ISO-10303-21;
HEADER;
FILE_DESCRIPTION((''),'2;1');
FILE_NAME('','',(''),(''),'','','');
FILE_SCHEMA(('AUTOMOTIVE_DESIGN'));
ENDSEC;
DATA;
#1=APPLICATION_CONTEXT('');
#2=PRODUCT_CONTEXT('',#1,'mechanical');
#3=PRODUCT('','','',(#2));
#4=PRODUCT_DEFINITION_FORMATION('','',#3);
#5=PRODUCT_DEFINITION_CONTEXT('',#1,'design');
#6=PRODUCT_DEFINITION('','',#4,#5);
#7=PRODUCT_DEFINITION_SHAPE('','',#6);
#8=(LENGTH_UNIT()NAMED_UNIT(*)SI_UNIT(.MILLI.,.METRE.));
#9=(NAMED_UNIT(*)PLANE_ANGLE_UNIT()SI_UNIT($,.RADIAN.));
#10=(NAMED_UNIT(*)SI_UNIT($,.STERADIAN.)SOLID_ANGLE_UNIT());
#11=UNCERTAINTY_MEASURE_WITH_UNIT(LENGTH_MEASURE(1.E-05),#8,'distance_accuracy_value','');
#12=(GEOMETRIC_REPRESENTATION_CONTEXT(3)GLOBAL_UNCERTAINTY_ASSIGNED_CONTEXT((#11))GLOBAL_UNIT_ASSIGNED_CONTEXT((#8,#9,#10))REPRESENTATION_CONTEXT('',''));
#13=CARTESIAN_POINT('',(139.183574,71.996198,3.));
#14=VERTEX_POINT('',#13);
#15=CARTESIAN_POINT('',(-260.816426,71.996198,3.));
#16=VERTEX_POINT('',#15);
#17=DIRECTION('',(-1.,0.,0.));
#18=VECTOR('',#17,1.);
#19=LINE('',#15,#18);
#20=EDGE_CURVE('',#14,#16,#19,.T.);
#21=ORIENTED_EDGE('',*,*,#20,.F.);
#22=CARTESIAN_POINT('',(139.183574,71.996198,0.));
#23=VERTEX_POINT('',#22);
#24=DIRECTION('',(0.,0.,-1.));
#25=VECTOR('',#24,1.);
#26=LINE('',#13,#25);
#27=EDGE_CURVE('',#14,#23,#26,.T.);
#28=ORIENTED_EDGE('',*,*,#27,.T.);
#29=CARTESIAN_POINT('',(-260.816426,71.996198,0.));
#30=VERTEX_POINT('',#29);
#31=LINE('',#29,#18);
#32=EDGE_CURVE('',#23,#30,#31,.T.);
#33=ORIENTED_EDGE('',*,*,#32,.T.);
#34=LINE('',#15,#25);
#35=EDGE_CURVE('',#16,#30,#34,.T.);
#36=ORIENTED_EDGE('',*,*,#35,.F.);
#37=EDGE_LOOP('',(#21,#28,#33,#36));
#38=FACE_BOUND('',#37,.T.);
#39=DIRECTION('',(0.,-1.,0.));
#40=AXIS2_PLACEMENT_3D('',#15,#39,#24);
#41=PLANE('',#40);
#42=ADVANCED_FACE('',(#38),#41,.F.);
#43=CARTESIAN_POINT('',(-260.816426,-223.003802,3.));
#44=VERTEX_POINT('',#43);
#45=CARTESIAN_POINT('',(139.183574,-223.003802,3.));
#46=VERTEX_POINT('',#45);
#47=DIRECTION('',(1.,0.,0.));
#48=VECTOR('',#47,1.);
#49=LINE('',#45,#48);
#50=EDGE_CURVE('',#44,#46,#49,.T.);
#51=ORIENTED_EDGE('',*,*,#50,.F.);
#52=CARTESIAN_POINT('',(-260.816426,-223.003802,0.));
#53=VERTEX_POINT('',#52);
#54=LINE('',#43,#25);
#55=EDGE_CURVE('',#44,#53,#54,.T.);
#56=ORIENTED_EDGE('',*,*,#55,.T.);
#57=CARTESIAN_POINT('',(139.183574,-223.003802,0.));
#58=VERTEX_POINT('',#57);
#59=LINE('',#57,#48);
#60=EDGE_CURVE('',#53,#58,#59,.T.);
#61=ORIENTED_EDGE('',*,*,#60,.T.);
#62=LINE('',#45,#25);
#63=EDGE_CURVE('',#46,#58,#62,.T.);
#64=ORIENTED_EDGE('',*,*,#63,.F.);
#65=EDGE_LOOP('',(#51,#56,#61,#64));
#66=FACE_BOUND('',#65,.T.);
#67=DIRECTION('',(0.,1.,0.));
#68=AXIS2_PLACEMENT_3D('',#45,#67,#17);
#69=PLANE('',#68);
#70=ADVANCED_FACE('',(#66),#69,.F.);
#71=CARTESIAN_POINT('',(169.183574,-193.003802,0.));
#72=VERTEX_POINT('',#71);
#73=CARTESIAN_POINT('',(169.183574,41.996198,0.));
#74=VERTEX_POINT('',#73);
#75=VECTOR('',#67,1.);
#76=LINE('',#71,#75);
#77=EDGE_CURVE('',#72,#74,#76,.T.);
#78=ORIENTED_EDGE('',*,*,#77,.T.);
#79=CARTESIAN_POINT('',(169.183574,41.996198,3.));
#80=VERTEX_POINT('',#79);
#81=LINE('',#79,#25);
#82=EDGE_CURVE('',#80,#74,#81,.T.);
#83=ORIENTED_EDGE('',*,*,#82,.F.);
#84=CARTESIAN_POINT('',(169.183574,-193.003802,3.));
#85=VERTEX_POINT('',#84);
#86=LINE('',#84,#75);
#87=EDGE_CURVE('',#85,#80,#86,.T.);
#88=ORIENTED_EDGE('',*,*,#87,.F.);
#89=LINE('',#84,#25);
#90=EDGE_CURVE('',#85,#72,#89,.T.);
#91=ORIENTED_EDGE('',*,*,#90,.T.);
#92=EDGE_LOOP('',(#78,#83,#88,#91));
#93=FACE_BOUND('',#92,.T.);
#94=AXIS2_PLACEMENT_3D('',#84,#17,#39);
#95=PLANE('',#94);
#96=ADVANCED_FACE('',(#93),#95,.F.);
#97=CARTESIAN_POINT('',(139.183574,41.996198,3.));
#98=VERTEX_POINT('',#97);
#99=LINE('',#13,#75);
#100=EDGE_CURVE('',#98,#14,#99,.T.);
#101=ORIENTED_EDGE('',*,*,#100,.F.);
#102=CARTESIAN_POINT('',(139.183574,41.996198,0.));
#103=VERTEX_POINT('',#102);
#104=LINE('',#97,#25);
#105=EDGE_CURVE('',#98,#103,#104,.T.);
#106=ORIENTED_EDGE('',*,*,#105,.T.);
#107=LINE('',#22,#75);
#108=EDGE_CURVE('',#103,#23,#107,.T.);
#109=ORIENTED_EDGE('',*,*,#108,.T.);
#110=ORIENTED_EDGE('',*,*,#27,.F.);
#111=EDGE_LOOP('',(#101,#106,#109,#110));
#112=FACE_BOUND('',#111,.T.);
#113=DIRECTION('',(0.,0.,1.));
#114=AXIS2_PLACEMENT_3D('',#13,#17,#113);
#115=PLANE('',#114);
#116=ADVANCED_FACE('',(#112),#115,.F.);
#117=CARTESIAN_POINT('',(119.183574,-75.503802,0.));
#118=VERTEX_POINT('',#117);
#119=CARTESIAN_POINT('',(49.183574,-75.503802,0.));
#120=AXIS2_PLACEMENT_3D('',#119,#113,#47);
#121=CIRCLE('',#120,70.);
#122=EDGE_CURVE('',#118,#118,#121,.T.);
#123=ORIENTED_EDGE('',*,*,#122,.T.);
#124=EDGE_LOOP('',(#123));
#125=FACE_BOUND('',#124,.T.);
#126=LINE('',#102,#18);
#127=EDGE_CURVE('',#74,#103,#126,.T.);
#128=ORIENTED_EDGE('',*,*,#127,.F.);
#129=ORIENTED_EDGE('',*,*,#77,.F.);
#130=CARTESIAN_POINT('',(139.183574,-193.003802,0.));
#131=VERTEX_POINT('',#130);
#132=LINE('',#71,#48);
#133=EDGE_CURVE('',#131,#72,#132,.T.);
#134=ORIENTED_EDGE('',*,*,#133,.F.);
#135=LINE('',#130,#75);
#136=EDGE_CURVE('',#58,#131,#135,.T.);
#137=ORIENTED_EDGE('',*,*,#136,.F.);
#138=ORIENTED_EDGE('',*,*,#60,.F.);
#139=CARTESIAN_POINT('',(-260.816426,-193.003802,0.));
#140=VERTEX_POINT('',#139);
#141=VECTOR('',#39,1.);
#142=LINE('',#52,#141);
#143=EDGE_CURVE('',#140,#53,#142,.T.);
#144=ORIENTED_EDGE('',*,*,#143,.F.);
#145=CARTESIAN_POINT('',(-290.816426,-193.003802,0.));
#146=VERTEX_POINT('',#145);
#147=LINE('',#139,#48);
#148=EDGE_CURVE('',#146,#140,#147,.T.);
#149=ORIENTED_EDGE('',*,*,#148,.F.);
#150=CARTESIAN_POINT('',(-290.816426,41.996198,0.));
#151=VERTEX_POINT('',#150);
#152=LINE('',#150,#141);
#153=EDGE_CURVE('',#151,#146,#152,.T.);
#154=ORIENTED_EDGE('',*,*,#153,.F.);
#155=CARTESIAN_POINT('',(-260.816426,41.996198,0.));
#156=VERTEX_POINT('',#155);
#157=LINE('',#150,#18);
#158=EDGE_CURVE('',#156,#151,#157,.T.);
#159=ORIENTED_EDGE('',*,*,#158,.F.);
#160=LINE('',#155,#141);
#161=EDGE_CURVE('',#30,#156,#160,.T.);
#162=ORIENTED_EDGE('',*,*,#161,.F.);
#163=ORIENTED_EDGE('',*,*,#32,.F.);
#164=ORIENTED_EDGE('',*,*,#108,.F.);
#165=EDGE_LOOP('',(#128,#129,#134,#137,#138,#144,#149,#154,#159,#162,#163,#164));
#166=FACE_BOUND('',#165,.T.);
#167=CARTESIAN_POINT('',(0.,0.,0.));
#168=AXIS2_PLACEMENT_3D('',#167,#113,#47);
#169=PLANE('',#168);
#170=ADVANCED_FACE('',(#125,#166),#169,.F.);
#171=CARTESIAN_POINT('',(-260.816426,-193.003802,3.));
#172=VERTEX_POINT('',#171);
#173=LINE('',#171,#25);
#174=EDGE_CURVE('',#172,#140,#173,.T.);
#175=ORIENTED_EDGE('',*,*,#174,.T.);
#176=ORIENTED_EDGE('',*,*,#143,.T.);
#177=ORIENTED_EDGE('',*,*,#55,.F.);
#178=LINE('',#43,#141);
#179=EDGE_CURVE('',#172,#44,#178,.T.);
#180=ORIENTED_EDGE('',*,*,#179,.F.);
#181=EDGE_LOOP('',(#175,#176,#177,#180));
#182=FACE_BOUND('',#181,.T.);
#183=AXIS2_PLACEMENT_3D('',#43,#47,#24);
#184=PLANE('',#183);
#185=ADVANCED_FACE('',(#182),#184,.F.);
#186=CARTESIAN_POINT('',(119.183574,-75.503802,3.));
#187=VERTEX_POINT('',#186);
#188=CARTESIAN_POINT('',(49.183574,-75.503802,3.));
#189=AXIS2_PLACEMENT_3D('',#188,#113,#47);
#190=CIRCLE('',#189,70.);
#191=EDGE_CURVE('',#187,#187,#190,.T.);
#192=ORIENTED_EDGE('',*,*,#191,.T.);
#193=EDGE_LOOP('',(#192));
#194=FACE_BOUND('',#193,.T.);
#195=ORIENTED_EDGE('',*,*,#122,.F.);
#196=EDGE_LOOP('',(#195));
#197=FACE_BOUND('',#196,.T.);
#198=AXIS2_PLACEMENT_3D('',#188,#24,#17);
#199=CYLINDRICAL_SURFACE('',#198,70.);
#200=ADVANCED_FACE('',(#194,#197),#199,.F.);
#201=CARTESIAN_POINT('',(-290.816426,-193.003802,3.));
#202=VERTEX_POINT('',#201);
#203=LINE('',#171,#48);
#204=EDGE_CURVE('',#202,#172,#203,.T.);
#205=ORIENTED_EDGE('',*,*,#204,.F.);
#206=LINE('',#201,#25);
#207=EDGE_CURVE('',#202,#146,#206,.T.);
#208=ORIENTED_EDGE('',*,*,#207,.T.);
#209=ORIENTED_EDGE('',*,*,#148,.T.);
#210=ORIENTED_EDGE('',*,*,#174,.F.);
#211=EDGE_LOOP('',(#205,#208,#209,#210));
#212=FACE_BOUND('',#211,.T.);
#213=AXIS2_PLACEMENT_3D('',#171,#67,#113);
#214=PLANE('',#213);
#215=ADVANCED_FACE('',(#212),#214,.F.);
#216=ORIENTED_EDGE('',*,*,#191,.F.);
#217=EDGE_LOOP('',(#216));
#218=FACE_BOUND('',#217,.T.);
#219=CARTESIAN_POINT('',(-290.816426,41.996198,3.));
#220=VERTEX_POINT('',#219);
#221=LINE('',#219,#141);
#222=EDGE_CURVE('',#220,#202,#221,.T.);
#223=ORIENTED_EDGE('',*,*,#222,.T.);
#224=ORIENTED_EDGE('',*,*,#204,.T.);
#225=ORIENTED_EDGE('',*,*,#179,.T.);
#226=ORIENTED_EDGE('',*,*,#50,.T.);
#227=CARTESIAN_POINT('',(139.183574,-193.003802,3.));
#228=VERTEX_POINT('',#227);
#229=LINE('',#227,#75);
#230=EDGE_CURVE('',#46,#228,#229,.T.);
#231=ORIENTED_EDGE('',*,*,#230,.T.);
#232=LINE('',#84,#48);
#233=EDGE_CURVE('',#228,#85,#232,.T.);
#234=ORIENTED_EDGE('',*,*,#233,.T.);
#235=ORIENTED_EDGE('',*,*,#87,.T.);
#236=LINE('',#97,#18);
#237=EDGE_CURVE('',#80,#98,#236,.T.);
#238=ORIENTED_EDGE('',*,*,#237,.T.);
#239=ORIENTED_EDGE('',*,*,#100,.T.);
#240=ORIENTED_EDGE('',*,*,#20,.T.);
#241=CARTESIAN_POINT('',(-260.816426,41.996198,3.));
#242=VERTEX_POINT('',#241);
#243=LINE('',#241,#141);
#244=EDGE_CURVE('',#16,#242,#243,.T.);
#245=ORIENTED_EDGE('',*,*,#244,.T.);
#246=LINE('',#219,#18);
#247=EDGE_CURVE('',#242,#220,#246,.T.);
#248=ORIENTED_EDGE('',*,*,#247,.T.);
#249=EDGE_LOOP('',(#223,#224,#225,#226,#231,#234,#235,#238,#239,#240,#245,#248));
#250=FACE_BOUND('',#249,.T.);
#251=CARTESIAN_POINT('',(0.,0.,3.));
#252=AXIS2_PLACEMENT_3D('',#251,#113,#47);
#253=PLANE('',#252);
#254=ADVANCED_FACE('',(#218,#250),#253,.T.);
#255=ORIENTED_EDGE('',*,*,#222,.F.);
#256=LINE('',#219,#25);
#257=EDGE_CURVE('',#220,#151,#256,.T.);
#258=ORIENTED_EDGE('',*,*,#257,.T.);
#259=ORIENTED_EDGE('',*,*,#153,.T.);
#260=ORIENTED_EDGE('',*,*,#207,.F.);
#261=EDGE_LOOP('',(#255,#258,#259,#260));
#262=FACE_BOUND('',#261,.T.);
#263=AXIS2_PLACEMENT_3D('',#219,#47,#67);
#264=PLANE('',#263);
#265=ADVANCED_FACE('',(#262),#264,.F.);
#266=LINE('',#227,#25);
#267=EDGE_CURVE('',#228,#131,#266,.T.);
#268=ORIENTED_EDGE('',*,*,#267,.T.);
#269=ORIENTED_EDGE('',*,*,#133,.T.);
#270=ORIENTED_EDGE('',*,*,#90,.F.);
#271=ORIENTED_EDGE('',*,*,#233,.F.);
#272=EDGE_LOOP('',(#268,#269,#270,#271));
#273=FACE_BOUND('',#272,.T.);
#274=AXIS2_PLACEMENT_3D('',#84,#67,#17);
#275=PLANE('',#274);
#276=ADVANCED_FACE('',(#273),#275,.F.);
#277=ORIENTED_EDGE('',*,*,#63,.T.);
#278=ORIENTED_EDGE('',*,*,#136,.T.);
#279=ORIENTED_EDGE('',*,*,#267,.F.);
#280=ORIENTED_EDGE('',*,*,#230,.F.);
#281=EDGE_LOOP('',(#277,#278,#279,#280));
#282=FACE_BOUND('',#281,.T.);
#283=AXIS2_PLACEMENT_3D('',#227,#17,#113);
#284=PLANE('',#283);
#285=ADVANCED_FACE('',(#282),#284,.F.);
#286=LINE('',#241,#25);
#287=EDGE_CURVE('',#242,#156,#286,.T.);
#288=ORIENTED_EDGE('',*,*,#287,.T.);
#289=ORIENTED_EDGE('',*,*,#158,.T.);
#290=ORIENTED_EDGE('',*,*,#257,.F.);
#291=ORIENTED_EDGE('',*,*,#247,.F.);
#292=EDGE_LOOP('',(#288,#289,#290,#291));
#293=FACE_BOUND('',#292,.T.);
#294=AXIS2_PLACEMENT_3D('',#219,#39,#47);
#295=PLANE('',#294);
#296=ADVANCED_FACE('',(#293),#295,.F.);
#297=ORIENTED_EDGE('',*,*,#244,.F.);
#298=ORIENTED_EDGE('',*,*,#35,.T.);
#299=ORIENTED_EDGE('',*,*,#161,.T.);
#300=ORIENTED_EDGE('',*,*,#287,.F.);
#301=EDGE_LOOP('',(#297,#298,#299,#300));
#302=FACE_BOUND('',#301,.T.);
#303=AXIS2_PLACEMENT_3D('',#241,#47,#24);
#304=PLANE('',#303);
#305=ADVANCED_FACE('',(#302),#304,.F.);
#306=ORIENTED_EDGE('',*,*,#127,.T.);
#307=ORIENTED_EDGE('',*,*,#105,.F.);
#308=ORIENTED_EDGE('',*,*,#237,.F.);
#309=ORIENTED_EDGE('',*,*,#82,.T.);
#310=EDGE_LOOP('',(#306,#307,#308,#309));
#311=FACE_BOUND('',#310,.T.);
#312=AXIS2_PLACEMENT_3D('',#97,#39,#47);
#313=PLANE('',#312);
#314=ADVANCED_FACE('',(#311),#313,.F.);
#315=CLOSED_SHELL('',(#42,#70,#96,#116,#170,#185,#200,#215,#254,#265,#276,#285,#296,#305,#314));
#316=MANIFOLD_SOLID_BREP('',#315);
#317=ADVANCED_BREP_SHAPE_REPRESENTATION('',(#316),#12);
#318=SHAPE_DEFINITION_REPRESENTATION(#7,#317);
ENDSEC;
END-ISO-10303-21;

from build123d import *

# Parameters (mm, degrees)
SKICA1_R                = 70
P_IDAT_VYSUNUT_M1_DEPTH = 3


with BuildPart() as part:
    # Skica1 → Přidat vysunutím1 (new body)
    with BuildSketch(Plane.XY):
        Polygon((-290.816426189, 41.996197719), (-290.816426189, -193.003802281), (-260.816426189, -193.003802281), (-260.816426189, -223.003802281), (139.183573811, -223.003802281), (139.183573811, -193.003802281), (169.183573811, -193.003802281), (169.183573811, 41.996197719), (139.183573811, 41.996197719), (139.183573811, 71.996197719), (-260.816426189, 71.996197719), (-260.816426189, 41.996197719), align=None)
        with Locations((49.183573811, -75.503802281)):
            Circle(SKICA1_R, mode=Mode.SUBTRACT)
    extrude(amount=P_IDAT_VYSUNUT_M1_DEPTH)


solid = part.part
